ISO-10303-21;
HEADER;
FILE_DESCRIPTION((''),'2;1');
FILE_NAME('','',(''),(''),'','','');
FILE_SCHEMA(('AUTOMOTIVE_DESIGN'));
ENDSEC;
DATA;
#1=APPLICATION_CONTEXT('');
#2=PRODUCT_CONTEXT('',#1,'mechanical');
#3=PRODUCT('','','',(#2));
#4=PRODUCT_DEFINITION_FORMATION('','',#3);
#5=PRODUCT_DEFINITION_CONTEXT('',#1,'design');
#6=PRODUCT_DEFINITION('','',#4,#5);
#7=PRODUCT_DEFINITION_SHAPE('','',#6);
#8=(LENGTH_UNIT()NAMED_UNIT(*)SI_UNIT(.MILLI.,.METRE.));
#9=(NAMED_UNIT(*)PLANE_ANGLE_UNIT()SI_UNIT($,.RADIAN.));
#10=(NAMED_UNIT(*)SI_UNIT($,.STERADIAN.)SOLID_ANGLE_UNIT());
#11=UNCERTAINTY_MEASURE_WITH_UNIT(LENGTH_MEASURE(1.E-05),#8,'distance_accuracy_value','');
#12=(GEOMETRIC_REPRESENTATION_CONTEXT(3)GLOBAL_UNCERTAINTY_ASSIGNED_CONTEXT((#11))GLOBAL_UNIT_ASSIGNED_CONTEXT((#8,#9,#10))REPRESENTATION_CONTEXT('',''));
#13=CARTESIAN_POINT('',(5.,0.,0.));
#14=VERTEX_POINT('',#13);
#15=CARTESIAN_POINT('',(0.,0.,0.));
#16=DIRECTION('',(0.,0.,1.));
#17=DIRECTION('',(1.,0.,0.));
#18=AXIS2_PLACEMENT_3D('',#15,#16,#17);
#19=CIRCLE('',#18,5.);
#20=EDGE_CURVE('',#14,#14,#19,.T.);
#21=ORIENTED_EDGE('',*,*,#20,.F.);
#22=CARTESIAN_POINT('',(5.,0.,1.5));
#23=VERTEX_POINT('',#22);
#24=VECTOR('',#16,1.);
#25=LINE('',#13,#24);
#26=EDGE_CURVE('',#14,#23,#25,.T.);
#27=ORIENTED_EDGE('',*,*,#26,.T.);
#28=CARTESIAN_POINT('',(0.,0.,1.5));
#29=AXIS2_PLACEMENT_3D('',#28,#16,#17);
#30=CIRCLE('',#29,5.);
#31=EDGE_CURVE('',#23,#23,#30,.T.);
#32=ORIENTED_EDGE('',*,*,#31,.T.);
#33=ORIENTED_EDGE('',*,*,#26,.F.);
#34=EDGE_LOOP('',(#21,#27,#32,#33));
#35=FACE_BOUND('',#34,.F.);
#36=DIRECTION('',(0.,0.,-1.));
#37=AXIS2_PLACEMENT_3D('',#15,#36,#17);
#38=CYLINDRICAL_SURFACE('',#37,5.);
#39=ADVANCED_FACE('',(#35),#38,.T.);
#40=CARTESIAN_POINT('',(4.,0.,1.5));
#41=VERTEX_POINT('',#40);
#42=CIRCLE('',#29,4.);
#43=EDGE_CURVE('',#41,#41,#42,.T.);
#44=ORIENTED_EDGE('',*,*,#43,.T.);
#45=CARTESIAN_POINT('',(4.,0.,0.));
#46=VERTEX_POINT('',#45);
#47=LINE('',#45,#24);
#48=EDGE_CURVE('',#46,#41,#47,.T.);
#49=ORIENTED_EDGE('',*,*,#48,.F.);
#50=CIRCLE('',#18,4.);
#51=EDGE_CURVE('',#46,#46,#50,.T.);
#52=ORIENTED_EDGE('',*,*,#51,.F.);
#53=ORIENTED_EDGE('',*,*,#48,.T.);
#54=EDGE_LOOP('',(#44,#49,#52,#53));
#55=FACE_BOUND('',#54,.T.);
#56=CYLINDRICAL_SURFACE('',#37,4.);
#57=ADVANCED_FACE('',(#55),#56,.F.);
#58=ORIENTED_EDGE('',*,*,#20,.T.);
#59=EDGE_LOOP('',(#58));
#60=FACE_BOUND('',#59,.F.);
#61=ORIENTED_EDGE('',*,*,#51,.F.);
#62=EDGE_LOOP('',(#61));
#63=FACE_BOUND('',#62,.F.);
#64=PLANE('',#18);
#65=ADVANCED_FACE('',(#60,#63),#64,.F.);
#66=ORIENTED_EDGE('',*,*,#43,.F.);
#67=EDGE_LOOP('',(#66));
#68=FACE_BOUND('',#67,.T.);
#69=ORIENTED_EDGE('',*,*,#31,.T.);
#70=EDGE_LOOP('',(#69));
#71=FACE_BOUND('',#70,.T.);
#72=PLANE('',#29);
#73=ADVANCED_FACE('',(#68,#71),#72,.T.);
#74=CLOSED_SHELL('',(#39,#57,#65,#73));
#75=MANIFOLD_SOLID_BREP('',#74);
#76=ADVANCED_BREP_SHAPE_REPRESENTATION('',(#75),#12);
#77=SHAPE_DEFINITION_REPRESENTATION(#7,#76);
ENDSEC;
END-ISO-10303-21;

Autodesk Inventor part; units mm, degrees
ref_plane "YZ Plane" through (0, 0, 0) normal (1, 0, 0) x (0, 1, 0)
ref_plane "XZ Plane" through (0, 0, 0) normal (0, 1, 0) x (-1, 0, 0)
ref_plane "XY Plane" through (0, 0, 0) normal (0, 0, 1) x (1, 0, 0)
sketch "スケッチ1" plane through (0, 0, 0) normal (0, 0, 1) x (1, 0, 0)
  circle A0 centre (0, 0) radius 4
  circle A1 centre (0, 0) radius 5
  dimension "d0" = 8
  dimension "d1" = 10
extrude "押し出し1" add sketch "スケッチ1" along normal blind 1.5
properties part number "オイレス8-10-1.5" material "アセタール樹脂、黒"
